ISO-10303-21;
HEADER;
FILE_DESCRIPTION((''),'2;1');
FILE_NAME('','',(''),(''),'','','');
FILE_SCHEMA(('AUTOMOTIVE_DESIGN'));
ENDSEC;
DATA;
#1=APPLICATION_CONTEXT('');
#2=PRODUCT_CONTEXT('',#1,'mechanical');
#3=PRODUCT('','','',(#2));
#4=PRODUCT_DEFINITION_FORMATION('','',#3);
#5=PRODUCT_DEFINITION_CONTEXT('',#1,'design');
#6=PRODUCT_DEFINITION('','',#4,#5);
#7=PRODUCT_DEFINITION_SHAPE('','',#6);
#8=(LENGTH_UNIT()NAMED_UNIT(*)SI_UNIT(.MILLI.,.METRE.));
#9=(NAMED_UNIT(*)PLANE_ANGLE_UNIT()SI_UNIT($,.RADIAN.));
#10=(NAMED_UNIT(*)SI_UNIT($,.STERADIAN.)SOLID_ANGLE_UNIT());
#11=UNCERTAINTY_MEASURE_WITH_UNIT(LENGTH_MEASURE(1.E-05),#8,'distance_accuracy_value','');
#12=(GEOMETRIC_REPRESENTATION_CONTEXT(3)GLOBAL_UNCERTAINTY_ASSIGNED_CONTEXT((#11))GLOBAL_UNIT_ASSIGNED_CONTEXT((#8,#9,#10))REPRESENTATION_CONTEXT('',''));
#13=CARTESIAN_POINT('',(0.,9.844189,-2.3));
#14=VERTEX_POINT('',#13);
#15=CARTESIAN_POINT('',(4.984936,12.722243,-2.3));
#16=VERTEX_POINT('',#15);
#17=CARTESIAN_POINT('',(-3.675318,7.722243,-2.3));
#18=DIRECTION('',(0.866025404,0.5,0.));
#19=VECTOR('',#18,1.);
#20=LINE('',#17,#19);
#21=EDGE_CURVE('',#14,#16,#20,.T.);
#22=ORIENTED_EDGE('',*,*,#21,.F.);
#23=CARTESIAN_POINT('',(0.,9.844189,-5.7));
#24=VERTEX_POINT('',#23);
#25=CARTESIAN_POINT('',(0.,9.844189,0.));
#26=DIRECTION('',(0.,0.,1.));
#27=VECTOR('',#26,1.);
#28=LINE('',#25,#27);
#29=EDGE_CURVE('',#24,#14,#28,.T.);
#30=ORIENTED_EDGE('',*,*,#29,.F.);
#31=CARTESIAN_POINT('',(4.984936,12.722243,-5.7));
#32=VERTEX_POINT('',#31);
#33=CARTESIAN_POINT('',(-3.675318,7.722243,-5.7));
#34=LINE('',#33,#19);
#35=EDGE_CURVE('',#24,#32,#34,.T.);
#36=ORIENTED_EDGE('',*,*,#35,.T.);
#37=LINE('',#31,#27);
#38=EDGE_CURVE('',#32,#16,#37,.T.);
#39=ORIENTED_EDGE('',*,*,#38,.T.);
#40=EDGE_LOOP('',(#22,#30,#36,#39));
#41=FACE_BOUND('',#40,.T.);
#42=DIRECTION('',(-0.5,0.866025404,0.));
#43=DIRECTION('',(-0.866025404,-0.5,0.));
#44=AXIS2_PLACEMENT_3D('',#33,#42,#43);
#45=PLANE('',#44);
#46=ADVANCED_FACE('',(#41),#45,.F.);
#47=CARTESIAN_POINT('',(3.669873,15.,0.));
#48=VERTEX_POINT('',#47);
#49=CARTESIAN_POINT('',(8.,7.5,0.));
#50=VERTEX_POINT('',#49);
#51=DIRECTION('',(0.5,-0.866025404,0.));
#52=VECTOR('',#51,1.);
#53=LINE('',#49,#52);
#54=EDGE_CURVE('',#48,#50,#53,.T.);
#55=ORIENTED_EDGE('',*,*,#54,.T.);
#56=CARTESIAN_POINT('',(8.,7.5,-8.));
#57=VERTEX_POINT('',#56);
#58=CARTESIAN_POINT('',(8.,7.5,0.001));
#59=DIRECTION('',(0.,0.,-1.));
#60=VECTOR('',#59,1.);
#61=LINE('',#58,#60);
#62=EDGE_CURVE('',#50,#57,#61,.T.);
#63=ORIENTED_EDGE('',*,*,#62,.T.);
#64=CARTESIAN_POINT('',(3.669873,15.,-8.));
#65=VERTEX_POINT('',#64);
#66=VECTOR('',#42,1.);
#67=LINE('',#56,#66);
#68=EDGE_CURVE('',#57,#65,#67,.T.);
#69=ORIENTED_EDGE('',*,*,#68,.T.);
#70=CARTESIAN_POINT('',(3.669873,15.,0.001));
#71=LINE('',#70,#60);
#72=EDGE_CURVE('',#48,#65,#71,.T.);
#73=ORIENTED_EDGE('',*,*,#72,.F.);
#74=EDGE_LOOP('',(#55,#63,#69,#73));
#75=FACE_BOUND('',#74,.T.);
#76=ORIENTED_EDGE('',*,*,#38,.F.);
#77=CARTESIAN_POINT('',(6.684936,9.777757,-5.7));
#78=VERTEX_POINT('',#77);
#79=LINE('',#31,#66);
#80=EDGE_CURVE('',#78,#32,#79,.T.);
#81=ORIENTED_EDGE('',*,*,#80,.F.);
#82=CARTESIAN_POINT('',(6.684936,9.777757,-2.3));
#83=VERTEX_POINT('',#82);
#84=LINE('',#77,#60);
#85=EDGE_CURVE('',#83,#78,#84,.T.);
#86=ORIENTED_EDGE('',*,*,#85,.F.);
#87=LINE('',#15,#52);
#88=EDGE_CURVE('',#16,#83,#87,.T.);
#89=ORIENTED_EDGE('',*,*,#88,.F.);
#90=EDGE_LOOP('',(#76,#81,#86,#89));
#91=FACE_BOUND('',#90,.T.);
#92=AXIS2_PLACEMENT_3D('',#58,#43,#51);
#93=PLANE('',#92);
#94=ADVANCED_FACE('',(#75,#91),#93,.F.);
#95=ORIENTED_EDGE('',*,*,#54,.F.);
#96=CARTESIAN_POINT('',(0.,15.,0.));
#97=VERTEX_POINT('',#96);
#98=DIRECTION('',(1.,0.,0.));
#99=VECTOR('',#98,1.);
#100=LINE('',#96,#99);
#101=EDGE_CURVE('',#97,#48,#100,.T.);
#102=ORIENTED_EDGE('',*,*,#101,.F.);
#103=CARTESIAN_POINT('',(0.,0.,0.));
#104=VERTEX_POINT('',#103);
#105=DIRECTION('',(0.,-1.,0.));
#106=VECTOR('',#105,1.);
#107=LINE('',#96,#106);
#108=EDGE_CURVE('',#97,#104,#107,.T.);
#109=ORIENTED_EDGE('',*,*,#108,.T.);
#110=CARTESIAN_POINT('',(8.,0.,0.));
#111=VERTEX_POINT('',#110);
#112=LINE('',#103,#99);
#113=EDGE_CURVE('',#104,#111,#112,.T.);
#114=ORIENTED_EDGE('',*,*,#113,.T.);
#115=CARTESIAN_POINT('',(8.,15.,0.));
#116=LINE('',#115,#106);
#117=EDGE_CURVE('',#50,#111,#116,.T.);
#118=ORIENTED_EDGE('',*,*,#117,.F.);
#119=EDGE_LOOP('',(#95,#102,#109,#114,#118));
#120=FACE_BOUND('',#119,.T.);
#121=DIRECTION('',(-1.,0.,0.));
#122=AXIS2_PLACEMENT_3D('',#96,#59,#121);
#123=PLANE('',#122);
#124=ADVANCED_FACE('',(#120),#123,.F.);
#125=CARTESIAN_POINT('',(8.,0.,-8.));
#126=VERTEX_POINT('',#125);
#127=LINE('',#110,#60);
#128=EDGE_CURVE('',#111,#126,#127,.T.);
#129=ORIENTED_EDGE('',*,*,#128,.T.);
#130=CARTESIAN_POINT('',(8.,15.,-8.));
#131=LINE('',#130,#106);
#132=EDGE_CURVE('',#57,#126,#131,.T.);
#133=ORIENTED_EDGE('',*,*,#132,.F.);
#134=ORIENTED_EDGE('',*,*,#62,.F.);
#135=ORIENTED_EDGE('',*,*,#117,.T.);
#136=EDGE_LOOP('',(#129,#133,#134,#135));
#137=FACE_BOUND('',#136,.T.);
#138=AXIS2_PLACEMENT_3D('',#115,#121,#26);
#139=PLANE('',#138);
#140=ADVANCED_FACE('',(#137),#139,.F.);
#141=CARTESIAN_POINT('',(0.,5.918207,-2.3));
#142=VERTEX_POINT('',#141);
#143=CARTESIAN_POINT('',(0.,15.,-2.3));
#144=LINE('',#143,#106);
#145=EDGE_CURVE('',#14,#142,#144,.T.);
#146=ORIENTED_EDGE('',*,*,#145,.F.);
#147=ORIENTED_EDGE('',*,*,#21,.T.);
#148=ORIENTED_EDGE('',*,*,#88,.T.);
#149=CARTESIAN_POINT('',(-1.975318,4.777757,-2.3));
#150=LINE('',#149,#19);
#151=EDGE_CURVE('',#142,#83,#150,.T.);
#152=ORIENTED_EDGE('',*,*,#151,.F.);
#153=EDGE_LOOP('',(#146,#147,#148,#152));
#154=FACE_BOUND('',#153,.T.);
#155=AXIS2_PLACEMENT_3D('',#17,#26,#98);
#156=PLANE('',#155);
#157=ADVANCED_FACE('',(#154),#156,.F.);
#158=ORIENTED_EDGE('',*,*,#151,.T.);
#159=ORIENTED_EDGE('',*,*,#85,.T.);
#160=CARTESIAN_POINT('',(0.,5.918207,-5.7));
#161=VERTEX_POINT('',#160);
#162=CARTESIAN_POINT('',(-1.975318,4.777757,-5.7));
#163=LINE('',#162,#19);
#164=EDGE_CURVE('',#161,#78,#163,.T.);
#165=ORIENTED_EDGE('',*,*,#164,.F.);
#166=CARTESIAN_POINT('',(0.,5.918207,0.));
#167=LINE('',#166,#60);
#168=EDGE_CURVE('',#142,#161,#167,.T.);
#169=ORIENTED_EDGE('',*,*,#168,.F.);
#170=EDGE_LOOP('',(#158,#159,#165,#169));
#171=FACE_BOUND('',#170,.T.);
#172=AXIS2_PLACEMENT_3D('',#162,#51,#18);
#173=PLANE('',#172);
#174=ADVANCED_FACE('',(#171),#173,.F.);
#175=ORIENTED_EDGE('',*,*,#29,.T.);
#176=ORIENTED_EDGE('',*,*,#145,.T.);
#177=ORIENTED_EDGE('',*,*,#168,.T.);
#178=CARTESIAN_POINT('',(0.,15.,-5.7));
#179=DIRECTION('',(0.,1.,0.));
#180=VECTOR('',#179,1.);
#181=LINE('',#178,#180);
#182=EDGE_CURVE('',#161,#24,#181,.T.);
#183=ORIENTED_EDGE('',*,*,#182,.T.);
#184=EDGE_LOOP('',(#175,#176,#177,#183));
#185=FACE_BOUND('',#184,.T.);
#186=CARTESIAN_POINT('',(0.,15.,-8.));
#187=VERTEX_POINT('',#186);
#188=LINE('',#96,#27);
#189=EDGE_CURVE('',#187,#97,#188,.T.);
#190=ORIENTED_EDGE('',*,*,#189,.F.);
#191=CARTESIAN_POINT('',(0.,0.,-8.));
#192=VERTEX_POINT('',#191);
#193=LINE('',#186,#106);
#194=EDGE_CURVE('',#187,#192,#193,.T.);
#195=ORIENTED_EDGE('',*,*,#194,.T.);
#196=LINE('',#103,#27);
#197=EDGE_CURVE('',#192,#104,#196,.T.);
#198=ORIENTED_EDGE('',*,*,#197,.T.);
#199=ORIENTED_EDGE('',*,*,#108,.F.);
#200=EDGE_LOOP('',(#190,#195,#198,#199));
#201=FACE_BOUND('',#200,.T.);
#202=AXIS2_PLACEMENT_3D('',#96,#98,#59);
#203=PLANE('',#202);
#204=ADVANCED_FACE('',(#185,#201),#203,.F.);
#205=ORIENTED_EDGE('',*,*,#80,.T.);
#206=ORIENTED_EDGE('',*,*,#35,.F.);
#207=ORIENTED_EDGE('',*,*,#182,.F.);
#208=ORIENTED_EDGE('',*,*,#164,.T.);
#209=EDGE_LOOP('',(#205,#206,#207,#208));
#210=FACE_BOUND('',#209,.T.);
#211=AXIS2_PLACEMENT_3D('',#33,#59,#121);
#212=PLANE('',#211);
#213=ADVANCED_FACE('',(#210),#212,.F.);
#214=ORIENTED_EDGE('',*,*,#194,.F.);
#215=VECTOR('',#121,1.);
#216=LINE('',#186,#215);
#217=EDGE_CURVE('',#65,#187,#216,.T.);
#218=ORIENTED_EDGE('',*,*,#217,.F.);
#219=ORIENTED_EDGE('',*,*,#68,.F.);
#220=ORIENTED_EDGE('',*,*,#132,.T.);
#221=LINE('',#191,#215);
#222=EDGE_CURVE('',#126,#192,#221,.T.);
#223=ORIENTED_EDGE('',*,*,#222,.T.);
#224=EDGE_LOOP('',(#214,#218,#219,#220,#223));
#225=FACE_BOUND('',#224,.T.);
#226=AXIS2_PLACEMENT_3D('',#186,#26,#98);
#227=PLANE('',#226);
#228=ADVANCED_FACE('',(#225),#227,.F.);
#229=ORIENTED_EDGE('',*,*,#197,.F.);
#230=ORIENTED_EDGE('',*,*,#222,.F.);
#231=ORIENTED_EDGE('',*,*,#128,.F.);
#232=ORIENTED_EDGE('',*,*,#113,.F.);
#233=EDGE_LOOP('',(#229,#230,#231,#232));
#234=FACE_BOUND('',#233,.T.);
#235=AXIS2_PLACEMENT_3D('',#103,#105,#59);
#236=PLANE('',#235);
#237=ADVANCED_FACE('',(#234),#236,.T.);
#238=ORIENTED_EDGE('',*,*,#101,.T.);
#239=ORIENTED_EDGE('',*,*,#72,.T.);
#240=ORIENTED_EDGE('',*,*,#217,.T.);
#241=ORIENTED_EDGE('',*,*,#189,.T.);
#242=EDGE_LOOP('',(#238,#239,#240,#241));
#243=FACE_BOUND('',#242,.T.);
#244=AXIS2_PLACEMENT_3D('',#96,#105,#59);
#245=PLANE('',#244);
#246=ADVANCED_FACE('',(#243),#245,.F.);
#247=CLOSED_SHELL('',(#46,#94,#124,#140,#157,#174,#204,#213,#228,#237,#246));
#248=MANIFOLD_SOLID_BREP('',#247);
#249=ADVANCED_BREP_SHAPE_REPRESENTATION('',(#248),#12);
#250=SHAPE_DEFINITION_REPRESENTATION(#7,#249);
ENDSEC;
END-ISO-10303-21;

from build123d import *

# Parameters (mm, degrees)
SKETCH_1_W          = 8
SKETCH_1_H          = 8
EXTRUDE_1_DEPTH     = 15
CUT_EXTRUDE_1_REACH = 20.788
SKETCH_3_W          = 3.4
SKETCH_3_H          = 3.4
CUT_EXTRUDE_2_DEPTH = 10


with BuildPart() as part:
    # 草图1 → 凸台-拉伸1 (new body)
    with BuildSketch(Plane(origin=(0, 0, 0), x_dir=(1, 0, 0), z_dir=(0, 1, 0))):
        with Locations((4, 4)):
            Rectangle(SKETCH_1_W, SKETCH_1_H)
    extrude(amount=EXTRUDE_1_DEPTH)

    # 草图2 → 切除-拉伸1 (cut, up to next)
    with BuildSketch(Plane(origin=(0, 0, -8), x_dir=(-1, 0, 0), z_dir=(0, 0, -1)), mode=Mode.PRIVATE) as cut_extrude_1_sk1:
        Polygon((-8, 7.5), (-3.669872981, 15), (-8, 15), align=None)
    cut_extrude_1_tool1 = extrude(cut_extrude_1_sk1.sketch, amount=-CUT_EXTRUDE_1_REACH, mode=Mode.PRIVATE) & part.part
    add(cut_extrude_1_tool1.solids().sort_by_distance((6.556624, 12.5, -8))[0], mode=Mode.SUBTRACT)

    # 草图3 → 切除-拉伸2 (cut)
    with BuildSketch(Plane(origin=(9.247595264, 5.339101615, 0), x_dir=(0, 0, -1), z_dir=(0.8660254037844417, 0.4999999999999948, 0))):
        with Locations((4, 6.825317547)):
            Rectangle(SKETCH_3_W, SKETCH_3_H)
    extrude(amount=-CUT_EXTRUDE_2_DEPTH, mode=Mode.SUBTRACT)


solid = part.part
